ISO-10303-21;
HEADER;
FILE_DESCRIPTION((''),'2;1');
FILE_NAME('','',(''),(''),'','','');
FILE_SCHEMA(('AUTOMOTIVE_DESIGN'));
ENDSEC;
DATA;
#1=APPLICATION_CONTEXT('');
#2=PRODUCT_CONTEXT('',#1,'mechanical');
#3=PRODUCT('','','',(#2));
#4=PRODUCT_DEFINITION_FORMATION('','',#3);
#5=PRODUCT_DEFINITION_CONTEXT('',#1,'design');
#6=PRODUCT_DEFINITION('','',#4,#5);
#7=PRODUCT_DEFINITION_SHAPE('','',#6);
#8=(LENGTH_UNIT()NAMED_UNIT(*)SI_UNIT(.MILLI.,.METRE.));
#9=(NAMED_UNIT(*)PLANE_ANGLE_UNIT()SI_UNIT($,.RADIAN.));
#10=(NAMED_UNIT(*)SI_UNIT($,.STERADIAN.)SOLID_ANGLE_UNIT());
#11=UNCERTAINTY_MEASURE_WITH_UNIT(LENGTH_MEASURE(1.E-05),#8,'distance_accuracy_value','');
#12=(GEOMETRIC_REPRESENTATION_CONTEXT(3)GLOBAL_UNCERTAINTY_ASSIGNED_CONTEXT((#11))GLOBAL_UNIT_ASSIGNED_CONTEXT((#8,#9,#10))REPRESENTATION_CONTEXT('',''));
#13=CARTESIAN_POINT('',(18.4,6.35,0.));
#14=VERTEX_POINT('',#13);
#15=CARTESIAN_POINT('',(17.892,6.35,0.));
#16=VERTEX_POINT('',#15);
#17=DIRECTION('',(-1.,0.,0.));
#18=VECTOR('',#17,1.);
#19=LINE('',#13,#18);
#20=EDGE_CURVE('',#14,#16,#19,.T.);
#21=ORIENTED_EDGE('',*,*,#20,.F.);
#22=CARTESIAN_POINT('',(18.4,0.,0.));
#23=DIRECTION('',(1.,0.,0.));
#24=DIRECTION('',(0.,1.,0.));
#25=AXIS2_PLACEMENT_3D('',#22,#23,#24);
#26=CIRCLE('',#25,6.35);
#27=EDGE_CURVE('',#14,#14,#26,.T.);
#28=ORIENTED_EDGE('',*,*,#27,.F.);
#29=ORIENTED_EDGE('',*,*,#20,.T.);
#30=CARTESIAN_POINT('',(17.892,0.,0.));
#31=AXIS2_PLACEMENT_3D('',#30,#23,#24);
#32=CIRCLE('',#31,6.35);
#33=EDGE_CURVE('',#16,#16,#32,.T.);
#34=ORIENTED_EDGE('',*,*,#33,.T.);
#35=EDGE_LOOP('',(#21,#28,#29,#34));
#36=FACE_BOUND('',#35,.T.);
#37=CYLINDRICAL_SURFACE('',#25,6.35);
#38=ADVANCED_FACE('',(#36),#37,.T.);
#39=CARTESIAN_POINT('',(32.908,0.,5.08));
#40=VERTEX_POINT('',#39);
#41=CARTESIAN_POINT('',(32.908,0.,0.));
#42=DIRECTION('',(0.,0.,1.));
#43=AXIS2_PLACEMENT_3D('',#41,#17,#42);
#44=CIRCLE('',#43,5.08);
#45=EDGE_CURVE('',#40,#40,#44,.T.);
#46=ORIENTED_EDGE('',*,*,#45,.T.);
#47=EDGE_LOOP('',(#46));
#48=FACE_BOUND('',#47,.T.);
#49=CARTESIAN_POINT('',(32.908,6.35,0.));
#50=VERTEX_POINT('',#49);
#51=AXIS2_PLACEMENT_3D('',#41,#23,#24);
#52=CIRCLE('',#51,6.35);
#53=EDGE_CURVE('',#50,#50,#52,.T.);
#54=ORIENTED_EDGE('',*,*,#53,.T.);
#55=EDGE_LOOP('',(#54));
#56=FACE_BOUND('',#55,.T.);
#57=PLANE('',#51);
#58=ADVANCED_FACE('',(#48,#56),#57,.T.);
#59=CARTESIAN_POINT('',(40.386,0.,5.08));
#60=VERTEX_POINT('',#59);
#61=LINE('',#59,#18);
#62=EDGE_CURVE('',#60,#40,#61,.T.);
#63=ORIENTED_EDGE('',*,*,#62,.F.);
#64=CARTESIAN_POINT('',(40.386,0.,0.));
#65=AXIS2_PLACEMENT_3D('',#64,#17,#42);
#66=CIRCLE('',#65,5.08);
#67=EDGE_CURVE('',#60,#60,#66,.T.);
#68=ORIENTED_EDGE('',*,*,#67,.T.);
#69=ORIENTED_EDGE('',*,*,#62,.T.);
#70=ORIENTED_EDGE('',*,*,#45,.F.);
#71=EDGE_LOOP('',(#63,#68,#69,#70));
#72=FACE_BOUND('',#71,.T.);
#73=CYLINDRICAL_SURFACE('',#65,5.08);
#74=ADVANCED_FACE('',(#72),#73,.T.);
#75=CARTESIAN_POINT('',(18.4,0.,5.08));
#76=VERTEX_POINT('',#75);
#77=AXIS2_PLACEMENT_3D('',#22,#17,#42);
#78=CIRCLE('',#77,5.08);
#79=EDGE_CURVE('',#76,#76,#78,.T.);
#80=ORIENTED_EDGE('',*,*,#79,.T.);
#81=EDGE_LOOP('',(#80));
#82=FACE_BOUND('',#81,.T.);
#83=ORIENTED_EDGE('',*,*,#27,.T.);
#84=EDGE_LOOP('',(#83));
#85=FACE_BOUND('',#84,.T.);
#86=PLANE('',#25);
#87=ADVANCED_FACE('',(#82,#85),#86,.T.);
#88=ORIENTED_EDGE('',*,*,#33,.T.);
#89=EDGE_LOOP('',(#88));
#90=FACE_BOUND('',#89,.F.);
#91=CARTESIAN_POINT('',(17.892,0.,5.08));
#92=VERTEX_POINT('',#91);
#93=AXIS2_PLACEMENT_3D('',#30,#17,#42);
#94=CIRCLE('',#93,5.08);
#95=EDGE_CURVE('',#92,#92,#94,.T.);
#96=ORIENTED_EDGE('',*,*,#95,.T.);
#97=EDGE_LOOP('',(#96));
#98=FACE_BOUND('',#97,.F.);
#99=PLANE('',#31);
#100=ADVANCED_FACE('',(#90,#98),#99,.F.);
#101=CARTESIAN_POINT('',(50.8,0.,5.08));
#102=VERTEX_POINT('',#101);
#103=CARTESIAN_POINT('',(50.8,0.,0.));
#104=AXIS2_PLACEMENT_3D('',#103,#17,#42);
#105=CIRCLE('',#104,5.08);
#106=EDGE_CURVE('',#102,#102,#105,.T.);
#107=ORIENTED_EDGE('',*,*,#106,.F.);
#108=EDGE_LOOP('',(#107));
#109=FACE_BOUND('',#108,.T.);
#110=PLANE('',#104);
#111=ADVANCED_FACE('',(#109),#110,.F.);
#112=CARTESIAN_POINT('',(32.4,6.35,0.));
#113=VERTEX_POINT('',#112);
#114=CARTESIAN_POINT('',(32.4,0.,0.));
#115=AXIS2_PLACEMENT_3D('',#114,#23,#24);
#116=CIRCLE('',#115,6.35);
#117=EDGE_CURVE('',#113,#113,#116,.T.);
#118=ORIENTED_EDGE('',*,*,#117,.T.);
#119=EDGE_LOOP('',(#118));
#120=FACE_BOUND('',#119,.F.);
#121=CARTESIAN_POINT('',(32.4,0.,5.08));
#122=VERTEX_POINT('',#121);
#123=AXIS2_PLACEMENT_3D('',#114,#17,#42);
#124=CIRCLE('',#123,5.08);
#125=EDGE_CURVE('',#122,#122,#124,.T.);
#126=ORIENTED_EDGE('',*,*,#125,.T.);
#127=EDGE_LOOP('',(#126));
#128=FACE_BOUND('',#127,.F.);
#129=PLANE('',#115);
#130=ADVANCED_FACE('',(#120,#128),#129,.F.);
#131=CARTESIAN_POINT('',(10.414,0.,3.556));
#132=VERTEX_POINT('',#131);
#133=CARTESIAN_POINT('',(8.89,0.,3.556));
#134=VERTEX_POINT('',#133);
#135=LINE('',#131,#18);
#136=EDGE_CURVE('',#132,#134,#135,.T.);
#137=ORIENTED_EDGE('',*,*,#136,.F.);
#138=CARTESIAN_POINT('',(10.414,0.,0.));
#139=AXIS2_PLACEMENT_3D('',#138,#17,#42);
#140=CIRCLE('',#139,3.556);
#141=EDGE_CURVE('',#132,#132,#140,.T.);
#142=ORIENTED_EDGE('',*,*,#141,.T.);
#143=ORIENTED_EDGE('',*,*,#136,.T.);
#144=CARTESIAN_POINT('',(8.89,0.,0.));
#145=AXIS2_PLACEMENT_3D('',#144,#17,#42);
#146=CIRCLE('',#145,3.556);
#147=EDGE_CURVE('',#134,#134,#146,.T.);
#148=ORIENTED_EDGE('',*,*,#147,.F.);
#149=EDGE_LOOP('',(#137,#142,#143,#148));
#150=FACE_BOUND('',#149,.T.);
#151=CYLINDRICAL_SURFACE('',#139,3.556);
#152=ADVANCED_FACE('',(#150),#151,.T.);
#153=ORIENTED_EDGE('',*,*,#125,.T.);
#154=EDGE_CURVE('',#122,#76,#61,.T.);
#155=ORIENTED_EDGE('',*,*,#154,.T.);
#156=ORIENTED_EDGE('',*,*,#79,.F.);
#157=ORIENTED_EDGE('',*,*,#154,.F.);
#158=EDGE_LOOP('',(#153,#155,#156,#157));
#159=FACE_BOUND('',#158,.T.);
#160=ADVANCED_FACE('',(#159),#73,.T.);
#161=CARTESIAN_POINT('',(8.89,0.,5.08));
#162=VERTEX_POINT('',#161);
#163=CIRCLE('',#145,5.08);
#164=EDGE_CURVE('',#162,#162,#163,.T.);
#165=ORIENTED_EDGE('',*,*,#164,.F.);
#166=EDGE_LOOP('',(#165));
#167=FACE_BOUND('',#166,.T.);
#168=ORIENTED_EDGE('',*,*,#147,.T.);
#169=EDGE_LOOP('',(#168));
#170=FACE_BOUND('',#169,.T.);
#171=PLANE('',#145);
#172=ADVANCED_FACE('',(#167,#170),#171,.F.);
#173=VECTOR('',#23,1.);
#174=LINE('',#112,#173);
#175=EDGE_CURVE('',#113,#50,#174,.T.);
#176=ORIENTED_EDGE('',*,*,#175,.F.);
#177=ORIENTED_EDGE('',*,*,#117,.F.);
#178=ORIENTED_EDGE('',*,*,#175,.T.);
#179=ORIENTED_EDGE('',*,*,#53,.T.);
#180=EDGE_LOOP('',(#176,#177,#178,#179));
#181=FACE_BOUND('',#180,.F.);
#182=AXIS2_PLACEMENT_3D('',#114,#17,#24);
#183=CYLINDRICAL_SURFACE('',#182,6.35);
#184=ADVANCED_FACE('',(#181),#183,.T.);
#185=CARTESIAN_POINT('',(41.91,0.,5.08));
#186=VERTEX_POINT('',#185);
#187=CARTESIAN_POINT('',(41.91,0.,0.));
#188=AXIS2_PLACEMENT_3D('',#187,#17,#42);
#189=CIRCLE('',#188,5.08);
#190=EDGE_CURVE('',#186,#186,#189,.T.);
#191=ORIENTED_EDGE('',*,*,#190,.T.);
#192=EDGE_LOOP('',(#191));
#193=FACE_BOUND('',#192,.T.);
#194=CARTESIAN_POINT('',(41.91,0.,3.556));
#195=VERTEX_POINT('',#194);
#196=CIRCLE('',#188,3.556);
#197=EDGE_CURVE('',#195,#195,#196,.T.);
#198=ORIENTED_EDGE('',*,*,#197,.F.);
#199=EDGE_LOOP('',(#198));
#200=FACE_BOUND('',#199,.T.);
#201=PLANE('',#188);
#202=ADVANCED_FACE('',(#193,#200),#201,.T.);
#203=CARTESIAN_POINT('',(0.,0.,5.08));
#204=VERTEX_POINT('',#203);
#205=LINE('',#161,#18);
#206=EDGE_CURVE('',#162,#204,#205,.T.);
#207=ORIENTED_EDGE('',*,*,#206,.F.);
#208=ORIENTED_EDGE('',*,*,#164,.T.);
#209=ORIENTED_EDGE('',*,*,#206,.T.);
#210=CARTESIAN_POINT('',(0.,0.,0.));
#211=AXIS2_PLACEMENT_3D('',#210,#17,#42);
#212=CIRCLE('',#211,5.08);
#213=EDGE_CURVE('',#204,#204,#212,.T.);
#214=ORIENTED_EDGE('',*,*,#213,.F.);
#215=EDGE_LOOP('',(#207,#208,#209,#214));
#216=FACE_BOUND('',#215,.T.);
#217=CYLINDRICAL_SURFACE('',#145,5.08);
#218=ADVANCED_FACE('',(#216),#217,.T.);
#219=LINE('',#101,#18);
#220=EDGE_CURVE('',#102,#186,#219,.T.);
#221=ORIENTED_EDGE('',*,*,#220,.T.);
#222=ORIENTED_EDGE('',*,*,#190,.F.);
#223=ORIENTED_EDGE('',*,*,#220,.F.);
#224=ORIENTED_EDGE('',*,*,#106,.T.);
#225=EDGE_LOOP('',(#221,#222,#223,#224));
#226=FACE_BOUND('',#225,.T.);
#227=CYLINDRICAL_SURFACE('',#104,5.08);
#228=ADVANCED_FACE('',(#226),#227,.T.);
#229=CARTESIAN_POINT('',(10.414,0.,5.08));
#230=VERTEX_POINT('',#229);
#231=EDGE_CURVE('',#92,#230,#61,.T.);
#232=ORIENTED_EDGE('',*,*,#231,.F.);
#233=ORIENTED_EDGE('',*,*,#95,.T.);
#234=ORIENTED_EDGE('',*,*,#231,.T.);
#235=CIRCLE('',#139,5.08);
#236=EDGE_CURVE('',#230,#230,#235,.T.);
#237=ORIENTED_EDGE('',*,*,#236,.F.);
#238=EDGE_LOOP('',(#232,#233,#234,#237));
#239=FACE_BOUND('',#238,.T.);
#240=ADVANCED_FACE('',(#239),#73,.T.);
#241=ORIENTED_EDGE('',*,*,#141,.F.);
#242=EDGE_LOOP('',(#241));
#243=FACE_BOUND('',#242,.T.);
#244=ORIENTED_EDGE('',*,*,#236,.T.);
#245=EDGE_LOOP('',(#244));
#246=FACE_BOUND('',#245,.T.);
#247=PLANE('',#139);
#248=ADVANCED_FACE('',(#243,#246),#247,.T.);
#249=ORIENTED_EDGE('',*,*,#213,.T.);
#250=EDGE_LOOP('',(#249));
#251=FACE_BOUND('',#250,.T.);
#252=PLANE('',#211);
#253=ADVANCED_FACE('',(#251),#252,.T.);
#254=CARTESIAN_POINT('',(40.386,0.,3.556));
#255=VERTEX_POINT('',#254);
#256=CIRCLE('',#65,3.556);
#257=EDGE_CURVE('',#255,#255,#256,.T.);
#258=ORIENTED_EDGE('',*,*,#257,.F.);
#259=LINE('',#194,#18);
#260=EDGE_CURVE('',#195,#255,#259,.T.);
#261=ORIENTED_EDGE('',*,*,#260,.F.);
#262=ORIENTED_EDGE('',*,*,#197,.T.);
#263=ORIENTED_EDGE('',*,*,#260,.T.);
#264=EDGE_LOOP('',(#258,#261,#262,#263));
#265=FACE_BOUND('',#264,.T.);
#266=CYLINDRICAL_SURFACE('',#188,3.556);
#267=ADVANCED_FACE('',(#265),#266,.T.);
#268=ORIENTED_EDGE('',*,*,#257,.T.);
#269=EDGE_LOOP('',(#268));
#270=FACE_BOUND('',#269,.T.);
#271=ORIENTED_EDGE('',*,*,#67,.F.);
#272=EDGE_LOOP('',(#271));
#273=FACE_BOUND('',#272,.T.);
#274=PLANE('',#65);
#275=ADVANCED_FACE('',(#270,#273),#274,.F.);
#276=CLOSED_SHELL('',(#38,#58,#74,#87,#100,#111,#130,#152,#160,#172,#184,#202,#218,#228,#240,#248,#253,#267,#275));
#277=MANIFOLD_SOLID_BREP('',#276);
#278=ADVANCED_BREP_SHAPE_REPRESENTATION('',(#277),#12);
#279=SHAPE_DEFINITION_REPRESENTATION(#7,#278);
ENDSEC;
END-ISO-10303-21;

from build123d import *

# Parameters (mm, degrees)
F5_R     = 6.35
F6_DEPTH = 0.508
F7_R     = 6.35
F8_DEPTH = 0.508


with BuildPart() as f1:
    # F0 (on Front) → F1 (revolve)
    with BuildSketch(Plane.XZ):
        Polygon((0, 5.08), (0, 0), (50.8, 0), (50.8, 5.08), (41.91, 5.08), (41.91, 3.556), (40.386, 3.556), (40.386, 5.08), (10.414, 5.08), (10.414, 3.556), (8.89, 3.556), (8.89, 5.08), align=None)
    revolve(axis=Axis((25.4, 0, 0), (-1, 0, 0)))

    # F5 (on offset) → F6 (join)
    with BuildSketch(Plane.YZ.offset(32.4)):
        Circle(F5_R)
    extrude(amount=F6_DEPTH)

    # F7 (on offset) → F8 (join)
    with BuildSketch(Plane.YZ.offset(18.4)):
        Circle(F7_R)
    extrude(amount=-F8_DEPTH)


solid = f1.part
